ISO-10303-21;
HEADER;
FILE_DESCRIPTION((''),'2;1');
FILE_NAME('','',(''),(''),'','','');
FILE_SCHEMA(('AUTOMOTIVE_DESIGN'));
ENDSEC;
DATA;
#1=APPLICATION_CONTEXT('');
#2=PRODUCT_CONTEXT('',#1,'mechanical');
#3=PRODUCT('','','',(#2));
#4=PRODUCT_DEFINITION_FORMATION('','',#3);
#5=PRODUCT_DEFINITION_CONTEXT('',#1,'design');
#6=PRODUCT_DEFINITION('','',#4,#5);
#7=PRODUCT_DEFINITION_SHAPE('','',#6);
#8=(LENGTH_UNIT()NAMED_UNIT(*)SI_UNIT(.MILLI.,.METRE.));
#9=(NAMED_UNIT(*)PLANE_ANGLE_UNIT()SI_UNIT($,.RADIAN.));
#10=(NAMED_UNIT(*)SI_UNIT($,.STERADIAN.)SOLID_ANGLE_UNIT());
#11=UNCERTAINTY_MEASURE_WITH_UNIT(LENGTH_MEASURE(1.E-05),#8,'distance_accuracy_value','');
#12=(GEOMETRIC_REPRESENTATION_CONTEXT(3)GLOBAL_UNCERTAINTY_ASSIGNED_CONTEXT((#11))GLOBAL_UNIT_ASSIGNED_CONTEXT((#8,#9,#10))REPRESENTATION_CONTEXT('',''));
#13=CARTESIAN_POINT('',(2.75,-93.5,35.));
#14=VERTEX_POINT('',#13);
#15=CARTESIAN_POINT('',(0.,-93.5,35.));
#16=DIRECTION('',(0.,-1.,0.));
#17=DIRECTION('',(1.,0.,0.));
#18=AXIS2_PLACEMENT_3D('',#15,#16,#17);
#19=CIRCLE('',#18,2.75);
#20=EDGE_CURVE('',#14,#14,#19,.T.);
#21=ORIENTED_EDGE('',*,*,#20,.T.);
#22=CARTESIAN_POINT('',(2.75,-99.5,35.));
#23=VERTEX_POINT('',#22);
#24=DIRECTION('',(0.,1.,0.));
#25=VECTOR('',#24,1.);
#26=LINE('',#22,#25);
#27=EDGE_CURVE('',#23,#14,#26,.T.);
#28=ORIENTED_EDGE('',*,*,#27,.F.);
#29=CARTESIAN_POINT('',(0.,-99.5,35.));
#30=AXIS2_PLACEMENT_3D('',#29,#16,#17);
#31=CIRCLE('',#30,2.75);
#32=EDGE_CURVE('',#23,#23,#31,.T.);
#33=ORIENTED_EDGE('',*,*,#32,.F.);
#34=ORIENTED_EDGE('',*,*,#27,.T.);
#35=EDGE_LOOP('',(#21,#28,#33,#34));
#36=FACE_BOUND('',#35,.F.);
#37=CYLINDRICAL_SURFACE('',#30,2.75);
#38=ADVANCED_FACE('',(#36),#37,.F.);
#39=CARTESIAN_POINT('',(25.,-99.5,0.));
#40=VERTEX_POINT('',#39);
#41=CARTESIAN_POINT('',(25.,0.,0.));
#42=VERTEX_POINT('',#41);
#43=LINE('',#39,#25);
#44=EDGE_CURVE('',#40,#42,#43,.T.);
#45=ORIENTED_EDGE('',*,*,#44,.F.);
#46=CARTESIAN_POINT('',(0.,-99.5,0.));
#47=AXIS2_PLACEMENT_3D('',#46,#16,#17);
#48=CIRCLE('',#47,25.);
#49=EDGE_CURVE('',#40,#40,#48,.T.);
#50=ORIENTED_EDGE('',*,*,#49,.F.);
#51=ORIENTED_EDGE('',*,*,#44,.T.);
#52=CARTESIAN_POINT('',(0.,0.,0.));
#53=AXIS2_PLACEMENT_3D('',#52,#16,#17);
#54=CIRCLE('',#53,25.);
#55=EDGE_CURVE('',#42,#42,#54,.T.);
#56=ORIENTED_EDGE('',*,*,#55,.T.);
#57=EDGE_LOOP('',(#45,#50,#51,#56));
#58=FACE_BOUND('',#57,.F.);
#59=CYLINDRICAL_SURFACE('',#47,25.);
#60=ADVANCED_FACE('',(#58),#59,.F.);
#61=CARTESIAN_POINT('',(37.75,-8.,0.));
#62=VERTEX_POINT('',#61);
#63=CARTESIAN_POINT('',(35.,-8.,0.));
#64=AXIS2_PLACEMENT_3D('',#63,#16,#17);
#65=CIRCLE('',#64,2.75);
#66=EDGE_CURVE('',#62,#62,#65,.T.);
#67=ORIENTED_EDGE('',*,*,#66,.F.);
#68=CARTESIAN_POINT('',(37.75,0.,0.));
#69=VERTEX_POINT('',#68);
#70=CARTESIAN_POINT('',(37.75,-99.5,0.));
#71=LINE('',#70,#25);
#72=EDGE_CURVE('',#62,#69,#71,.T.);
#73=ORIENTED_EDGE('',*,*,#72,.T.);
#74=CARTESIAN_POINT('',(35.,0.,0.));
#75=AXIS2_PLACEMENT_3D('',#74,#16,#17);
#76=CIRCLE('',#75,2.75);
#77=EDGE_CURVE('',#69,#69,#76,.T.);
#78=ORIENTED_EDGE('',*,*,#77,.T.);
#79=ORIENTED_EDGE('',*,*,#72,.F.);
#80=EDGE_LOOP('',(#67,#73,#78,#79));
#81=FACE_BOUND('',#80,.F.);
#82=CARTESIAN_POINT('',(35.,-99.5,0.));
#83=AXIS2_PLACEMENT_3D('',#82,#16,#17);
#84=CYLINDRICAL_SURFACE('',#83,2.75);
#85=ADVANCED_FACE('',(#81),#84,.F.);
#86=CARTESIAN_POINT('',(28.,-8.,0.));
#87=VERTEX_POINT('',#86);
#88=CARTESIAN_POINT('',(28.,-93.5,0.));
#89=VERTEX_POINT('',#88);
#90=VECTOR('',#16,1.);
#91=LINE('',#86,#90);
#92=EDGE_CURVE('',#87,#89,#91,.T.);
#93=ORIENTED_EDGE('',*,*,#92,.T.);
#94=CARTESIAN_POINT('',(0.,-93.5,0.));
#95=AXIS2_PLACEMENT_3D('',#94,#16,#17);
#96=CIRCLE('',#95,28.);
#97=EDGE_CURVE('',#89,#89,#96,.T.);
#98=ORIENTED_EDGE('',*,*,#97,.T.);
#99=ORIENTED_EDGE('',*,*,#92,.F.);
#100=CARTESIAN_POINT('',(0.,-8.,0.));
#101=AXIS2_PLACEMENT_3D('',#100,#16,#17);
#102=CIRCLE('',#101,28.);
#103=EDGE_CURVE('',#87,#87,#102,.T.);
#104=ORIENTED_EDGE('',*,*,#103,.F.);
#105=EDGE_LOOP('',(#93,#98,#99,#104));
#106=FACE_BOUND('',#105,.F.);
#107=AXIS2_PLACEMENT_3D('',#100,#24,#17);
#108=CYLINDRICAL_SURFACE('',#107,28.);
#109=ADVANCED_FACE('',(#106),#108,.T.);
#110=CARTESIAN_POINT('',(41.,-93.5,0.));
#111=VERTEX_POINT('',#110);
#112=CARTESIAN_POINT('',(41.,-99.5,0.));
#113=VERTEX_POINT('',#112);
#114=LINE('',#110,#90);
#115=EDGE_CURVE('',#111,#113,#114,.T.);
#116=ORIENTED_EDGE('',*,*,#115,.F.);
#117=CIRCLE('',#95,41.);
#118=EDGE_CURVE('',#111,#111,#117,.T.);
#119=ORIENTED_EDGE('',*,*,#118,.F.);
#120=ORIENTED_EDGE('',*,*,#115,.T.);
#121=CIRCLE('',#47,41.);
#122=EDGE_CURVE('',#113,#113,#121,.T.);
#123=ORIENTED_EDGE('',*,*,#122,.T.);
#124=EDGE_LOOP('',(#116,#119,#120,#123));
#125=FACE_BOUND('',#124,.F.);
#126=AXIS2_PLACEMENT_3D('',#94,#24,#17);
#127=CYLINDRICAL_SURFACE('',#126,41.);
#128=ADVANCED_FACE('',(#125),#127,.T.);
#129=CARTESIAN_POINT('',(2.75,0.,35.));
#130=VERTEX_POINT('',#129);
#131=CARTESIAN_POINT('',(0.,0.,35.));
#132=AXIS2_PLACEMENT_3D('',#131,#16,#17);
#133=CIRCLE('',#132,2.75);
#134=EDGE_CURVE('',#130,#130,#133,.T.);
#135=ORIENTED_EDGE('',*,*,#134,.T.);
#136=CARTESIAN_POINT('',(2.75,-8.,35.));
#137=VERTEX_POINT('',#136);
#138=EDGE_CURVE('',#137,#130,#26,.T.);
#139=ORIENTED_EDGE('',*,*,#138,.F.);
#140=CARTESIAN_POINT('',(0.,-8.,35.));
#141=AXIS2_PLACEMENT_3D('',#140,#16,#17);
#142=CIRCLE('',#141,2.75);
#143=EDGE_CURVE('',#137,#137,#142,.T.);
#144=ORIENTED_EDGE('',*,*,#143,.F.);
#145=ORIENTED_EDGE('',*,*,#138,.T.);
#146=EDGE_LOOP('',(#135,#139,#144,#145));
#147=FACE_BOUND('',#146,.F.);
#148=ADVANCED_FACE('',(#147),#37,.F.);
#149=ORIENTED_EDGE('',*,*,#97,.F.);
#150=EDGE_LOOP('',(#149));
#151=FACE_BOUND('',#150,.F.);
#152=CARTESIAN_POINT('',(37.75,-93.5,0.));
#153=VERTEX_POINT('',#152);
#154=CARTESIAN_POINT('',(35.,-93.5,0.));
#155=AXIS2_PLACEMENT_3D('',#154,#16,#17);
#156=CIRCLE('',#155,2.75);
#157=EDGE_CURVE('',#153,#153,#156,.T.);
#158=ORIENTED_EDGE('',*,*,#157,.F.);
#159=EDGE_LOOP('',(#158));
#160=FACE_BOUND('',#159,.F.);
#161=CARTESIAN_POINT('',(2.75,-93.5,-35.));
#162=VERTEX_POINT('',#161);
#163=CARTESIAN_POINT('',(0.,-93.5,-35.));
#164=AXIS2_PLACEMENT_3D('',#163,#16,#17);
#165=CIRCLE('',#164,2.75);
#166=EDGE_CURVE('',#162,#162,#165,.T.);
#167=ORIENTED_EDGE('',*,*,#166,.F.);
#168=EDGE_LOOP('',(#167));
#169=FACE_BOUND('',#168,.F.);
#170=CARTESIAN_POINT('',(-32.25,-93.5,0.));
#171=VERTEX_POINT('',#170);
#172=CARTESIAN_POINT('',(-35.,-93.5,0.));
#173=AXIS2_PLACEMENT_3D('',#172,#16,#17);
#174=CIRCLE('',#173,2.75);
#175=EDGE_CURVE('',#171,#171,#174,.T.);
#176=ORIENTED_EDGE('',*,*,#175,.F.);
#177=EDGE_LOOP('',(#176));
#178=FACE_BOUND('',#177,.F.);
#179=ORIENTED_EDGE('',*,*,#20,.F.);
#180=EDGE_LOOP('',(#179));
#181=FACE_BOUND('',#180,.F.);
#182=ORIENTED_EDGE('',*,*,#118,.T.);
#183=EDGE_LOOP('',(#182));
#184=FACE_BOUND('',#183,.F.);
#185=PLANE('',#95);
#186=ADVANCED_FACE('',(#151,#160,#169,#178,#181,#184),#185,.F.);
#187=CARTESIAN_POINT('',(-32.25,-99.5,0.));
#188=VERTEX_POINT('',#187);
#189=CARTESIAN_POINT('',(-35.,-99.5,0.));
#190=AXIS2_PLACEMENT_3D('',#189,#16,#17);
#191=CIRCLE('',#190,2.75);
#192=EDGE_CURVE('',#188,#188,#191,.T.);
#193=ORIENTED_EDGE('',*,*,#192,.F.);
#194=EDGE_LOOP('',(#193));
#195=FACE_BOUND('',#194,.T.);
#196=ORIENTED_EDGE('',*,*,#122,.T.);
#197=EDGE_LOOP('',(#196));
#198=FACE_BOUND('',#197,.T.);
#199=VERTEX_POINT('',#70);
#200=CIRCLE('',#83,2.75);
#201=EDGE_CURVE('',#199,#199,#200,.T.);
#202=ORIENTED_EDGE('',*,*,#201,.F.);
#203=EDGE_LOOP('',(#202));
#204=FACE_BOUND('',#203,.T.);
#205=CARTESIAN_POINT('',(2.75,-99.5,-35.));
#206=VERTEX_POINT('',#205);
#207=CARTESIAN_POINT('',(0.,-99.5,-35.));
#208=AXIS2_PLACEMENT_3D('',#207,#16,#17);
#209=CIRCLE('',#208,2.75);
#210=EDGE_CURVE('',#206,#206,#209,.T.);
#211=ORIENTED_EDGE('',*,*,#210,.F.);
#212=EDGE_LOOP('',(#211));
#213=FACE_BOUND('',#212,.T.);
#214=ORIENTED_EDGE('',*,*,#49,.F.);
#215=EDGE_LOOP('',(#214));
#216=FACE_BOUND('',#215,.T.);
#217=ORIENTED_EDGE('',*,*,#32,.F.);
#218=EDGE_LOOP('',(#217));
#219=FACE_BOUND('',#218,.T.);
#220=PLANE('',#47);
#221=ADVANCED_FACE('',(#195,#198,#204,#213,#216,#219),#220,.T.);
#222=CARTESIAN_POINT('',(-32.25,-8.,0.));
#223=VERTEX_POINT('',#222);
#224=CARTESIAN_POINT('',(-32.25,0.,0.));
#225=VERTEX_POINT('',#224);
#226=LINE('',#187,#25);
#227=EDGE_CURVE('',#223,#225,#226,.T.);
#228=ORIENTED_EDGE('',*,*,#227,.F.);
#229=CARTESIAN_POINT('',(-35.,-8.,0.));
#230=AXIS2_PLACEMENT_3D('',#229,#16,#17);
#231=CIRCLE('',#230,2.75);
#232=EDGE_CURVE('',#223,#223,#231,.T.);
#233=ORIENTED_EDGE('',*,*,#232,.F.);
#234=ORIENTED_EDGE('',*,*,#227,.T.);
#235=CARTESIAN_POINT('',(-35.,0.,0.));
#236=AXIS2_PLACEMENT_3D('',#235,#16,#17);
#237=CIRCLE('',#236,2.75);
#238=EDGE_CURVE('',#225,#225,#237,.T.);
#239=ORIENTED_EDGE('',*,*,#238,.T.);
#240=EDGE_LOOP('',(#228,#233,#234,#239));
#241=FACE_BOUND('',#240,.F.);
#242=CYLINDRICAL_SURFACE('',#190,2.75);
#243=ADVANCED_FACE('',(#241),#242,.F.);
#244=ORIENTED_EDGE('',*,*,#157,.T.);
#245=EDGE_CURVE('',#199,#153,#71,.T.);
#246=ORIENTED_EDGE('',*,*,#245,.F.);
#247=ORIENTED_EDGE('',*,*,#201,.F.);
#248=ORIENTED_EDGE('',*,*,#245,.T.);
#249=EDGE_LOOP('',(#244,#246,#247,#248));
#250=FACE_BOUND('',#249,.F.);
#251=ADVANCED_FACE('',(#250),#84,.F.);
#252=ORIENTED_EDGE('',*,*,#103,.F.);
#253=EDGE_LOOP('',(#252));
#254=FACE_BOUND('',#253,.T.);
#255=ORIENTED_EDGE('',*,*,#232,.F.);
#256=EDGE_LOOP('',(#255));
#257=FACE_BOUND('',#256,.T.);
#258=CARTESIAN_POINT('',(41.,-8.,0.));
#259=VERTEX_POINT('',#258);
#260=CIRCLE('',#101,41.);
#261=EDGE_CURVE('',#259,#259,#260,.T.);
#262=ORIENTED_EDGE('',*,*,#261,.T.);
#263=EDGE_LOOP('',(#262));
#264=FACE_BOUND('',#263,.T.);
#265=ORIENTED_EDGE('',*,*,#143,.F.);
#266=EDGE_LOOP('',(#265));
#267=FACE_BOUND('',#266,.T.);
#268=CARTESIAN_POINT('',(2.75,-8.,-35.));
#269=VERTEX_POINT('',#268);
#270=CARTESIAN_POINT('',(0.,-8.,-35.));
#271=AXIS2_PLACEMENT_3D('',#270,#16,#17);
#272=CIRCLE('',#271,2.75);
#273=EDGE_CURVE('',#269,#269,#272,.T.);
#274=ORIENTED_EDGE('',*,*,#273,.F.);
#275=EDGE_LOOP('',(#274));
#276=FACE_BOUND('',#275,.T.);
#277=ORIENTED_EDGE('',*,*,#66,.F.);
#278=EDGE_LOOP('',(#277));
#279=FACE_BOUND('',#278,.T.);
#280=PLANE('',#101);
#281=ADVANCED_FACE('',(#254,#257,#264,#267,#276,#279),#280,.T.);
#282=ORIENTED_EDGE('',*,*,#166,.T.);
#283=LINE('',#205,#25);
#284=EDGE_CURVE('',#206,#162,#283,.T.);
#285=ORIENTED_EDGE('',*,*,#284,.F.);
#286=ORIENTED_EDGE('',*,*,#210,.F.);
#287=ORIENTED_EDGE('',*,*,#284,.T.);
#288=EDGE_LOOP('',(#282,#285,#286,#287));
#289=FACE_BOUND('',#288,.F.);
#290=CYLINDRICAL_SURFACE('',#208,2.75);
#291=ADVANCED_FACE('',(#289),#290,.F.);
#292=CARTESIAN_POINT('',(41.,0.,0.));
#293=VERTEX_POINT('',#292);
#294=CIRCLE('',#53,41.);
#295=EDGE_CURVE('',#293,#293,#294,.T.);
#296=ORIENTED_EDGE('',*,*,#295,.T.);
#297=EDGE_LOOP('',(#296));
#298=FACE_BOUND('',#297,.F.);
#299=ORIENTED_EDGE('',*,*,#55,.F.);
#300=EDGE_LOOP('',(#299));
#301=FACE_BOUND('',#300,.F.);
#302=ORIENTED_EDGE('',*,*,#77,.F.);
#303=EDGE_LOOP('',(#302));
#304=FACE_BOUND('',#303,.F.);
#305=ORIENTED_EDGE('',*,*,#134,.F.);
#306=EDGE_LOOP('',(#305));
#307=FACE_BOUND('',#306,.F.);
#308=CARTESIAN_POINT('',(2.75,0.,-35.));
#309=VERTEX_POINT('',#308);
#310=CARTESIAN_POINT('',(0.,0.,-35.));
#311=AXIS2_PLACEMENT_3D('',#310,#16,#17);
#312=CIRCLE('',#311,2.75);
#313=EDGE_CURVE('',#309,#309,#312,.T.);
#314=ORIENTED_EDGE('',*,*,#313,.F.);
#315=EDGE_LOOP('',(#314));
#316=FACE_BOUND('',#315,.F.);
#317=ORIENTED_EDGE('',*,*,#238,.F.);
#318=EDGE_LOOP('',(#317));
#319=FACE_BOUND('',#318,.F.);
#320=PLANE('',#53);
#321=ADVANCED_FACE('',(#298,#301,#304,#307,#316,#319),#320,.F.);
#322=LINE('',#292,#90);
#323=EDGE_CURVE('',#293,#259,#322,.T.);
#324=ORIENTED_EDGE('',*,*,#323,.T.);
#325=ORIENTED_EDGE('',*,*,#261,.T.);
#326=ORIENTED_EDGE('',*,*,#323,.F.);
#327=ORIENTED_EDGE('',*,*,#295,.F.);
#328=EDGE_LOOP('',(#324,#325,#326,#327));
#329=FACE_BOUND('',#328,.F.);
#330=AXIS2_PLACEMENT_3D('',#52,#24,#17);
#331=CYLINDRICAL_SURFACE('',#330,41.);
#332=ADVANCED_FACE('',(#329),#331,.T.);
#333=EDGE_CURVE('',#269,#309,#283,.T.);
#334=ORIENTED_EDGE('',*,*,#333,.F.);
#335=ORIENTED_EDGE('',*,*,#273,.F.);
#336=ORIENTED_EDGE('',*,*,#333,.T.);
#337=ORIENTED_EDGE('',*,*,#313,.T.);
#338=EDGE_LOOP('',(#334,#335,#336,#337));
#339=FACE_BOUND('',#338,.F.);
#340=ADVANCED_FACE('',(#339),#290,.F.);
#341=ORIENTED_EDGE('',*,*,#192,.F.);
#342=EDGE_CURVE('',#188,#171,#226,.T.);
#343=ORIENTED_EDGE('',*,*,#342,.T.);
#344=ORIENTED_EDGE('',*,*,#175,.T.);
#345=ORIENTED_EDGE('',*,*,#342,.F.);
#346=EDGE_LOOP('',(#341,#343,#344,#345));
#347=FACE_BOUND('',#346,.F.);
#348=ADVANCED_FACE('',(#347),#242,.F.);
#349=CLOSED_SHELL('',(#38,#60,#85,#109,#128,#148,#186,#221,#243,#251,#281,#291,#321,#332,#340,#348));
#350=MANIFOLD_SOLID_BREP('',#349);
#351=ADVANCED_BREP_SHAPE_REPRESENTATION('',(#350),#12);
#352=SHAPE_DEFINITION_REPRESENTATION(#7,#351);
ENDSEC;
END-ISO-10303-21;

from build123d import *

# Parameters (mm, degrees)
F0_R     = 41
F1_DEPTH = 8
F2_R     = 28
F3_DEPTH = 85.5
F4_R     = 41
F4_R_2   = 28
F5_DEPTH = 6
F6_R     = 25
F7_DEPTH = 99.501
F8_R     = 2.75
F9_DEPTH = 99.501


with BuildPart() as f1:
    # F0 (on Front) → F1 (new body)
    with BuildSketch(Plane.XZ):
        Circle(F0_R)
    extrude(amount=F1_DEPTH)

    # F2 (on face) → F3 (join)
    with BuildSketch(Plane.XZ.offset(8)):
        Circle(F2_R)
    extrude(amount=F3_DEPTH)

    # F4 (on face) → F5 (join)
    with BuildSketch(Plane.XZ.offset(93.5)):
        Circle(F4_R)
        Circle(F4_R_2, mode=Mode.SUBTRACT)
        Circle(F4_R_2)
    extrude(amount=F5_DEPTH)

    # F6 (on face) → F7 (cut, through all)
    with BuildSketch(Plane.XZ.offset(99.5)):
        Circle(F6_R)
    extrude(amount=-F7_DEPTH, mode=Mode.SUBTRACT)

    # F8 (on face) → F9 (cut, through all)
    with BuildSketch(Plane.XZ.offset(99.5)):
        with Locations((-35, 0)):
            Circle(F8_R)
        with Locations((0, 35)):
            Circle(F8_R)
        with Locations((35, 0)):
            Circle(F8_R)
        with Locations((0, -35)):
            Circle(F8_R)
    extrude(amount=-F9_DEPTH, mode=Mode.SUBTRACT)


solid = f1.part
